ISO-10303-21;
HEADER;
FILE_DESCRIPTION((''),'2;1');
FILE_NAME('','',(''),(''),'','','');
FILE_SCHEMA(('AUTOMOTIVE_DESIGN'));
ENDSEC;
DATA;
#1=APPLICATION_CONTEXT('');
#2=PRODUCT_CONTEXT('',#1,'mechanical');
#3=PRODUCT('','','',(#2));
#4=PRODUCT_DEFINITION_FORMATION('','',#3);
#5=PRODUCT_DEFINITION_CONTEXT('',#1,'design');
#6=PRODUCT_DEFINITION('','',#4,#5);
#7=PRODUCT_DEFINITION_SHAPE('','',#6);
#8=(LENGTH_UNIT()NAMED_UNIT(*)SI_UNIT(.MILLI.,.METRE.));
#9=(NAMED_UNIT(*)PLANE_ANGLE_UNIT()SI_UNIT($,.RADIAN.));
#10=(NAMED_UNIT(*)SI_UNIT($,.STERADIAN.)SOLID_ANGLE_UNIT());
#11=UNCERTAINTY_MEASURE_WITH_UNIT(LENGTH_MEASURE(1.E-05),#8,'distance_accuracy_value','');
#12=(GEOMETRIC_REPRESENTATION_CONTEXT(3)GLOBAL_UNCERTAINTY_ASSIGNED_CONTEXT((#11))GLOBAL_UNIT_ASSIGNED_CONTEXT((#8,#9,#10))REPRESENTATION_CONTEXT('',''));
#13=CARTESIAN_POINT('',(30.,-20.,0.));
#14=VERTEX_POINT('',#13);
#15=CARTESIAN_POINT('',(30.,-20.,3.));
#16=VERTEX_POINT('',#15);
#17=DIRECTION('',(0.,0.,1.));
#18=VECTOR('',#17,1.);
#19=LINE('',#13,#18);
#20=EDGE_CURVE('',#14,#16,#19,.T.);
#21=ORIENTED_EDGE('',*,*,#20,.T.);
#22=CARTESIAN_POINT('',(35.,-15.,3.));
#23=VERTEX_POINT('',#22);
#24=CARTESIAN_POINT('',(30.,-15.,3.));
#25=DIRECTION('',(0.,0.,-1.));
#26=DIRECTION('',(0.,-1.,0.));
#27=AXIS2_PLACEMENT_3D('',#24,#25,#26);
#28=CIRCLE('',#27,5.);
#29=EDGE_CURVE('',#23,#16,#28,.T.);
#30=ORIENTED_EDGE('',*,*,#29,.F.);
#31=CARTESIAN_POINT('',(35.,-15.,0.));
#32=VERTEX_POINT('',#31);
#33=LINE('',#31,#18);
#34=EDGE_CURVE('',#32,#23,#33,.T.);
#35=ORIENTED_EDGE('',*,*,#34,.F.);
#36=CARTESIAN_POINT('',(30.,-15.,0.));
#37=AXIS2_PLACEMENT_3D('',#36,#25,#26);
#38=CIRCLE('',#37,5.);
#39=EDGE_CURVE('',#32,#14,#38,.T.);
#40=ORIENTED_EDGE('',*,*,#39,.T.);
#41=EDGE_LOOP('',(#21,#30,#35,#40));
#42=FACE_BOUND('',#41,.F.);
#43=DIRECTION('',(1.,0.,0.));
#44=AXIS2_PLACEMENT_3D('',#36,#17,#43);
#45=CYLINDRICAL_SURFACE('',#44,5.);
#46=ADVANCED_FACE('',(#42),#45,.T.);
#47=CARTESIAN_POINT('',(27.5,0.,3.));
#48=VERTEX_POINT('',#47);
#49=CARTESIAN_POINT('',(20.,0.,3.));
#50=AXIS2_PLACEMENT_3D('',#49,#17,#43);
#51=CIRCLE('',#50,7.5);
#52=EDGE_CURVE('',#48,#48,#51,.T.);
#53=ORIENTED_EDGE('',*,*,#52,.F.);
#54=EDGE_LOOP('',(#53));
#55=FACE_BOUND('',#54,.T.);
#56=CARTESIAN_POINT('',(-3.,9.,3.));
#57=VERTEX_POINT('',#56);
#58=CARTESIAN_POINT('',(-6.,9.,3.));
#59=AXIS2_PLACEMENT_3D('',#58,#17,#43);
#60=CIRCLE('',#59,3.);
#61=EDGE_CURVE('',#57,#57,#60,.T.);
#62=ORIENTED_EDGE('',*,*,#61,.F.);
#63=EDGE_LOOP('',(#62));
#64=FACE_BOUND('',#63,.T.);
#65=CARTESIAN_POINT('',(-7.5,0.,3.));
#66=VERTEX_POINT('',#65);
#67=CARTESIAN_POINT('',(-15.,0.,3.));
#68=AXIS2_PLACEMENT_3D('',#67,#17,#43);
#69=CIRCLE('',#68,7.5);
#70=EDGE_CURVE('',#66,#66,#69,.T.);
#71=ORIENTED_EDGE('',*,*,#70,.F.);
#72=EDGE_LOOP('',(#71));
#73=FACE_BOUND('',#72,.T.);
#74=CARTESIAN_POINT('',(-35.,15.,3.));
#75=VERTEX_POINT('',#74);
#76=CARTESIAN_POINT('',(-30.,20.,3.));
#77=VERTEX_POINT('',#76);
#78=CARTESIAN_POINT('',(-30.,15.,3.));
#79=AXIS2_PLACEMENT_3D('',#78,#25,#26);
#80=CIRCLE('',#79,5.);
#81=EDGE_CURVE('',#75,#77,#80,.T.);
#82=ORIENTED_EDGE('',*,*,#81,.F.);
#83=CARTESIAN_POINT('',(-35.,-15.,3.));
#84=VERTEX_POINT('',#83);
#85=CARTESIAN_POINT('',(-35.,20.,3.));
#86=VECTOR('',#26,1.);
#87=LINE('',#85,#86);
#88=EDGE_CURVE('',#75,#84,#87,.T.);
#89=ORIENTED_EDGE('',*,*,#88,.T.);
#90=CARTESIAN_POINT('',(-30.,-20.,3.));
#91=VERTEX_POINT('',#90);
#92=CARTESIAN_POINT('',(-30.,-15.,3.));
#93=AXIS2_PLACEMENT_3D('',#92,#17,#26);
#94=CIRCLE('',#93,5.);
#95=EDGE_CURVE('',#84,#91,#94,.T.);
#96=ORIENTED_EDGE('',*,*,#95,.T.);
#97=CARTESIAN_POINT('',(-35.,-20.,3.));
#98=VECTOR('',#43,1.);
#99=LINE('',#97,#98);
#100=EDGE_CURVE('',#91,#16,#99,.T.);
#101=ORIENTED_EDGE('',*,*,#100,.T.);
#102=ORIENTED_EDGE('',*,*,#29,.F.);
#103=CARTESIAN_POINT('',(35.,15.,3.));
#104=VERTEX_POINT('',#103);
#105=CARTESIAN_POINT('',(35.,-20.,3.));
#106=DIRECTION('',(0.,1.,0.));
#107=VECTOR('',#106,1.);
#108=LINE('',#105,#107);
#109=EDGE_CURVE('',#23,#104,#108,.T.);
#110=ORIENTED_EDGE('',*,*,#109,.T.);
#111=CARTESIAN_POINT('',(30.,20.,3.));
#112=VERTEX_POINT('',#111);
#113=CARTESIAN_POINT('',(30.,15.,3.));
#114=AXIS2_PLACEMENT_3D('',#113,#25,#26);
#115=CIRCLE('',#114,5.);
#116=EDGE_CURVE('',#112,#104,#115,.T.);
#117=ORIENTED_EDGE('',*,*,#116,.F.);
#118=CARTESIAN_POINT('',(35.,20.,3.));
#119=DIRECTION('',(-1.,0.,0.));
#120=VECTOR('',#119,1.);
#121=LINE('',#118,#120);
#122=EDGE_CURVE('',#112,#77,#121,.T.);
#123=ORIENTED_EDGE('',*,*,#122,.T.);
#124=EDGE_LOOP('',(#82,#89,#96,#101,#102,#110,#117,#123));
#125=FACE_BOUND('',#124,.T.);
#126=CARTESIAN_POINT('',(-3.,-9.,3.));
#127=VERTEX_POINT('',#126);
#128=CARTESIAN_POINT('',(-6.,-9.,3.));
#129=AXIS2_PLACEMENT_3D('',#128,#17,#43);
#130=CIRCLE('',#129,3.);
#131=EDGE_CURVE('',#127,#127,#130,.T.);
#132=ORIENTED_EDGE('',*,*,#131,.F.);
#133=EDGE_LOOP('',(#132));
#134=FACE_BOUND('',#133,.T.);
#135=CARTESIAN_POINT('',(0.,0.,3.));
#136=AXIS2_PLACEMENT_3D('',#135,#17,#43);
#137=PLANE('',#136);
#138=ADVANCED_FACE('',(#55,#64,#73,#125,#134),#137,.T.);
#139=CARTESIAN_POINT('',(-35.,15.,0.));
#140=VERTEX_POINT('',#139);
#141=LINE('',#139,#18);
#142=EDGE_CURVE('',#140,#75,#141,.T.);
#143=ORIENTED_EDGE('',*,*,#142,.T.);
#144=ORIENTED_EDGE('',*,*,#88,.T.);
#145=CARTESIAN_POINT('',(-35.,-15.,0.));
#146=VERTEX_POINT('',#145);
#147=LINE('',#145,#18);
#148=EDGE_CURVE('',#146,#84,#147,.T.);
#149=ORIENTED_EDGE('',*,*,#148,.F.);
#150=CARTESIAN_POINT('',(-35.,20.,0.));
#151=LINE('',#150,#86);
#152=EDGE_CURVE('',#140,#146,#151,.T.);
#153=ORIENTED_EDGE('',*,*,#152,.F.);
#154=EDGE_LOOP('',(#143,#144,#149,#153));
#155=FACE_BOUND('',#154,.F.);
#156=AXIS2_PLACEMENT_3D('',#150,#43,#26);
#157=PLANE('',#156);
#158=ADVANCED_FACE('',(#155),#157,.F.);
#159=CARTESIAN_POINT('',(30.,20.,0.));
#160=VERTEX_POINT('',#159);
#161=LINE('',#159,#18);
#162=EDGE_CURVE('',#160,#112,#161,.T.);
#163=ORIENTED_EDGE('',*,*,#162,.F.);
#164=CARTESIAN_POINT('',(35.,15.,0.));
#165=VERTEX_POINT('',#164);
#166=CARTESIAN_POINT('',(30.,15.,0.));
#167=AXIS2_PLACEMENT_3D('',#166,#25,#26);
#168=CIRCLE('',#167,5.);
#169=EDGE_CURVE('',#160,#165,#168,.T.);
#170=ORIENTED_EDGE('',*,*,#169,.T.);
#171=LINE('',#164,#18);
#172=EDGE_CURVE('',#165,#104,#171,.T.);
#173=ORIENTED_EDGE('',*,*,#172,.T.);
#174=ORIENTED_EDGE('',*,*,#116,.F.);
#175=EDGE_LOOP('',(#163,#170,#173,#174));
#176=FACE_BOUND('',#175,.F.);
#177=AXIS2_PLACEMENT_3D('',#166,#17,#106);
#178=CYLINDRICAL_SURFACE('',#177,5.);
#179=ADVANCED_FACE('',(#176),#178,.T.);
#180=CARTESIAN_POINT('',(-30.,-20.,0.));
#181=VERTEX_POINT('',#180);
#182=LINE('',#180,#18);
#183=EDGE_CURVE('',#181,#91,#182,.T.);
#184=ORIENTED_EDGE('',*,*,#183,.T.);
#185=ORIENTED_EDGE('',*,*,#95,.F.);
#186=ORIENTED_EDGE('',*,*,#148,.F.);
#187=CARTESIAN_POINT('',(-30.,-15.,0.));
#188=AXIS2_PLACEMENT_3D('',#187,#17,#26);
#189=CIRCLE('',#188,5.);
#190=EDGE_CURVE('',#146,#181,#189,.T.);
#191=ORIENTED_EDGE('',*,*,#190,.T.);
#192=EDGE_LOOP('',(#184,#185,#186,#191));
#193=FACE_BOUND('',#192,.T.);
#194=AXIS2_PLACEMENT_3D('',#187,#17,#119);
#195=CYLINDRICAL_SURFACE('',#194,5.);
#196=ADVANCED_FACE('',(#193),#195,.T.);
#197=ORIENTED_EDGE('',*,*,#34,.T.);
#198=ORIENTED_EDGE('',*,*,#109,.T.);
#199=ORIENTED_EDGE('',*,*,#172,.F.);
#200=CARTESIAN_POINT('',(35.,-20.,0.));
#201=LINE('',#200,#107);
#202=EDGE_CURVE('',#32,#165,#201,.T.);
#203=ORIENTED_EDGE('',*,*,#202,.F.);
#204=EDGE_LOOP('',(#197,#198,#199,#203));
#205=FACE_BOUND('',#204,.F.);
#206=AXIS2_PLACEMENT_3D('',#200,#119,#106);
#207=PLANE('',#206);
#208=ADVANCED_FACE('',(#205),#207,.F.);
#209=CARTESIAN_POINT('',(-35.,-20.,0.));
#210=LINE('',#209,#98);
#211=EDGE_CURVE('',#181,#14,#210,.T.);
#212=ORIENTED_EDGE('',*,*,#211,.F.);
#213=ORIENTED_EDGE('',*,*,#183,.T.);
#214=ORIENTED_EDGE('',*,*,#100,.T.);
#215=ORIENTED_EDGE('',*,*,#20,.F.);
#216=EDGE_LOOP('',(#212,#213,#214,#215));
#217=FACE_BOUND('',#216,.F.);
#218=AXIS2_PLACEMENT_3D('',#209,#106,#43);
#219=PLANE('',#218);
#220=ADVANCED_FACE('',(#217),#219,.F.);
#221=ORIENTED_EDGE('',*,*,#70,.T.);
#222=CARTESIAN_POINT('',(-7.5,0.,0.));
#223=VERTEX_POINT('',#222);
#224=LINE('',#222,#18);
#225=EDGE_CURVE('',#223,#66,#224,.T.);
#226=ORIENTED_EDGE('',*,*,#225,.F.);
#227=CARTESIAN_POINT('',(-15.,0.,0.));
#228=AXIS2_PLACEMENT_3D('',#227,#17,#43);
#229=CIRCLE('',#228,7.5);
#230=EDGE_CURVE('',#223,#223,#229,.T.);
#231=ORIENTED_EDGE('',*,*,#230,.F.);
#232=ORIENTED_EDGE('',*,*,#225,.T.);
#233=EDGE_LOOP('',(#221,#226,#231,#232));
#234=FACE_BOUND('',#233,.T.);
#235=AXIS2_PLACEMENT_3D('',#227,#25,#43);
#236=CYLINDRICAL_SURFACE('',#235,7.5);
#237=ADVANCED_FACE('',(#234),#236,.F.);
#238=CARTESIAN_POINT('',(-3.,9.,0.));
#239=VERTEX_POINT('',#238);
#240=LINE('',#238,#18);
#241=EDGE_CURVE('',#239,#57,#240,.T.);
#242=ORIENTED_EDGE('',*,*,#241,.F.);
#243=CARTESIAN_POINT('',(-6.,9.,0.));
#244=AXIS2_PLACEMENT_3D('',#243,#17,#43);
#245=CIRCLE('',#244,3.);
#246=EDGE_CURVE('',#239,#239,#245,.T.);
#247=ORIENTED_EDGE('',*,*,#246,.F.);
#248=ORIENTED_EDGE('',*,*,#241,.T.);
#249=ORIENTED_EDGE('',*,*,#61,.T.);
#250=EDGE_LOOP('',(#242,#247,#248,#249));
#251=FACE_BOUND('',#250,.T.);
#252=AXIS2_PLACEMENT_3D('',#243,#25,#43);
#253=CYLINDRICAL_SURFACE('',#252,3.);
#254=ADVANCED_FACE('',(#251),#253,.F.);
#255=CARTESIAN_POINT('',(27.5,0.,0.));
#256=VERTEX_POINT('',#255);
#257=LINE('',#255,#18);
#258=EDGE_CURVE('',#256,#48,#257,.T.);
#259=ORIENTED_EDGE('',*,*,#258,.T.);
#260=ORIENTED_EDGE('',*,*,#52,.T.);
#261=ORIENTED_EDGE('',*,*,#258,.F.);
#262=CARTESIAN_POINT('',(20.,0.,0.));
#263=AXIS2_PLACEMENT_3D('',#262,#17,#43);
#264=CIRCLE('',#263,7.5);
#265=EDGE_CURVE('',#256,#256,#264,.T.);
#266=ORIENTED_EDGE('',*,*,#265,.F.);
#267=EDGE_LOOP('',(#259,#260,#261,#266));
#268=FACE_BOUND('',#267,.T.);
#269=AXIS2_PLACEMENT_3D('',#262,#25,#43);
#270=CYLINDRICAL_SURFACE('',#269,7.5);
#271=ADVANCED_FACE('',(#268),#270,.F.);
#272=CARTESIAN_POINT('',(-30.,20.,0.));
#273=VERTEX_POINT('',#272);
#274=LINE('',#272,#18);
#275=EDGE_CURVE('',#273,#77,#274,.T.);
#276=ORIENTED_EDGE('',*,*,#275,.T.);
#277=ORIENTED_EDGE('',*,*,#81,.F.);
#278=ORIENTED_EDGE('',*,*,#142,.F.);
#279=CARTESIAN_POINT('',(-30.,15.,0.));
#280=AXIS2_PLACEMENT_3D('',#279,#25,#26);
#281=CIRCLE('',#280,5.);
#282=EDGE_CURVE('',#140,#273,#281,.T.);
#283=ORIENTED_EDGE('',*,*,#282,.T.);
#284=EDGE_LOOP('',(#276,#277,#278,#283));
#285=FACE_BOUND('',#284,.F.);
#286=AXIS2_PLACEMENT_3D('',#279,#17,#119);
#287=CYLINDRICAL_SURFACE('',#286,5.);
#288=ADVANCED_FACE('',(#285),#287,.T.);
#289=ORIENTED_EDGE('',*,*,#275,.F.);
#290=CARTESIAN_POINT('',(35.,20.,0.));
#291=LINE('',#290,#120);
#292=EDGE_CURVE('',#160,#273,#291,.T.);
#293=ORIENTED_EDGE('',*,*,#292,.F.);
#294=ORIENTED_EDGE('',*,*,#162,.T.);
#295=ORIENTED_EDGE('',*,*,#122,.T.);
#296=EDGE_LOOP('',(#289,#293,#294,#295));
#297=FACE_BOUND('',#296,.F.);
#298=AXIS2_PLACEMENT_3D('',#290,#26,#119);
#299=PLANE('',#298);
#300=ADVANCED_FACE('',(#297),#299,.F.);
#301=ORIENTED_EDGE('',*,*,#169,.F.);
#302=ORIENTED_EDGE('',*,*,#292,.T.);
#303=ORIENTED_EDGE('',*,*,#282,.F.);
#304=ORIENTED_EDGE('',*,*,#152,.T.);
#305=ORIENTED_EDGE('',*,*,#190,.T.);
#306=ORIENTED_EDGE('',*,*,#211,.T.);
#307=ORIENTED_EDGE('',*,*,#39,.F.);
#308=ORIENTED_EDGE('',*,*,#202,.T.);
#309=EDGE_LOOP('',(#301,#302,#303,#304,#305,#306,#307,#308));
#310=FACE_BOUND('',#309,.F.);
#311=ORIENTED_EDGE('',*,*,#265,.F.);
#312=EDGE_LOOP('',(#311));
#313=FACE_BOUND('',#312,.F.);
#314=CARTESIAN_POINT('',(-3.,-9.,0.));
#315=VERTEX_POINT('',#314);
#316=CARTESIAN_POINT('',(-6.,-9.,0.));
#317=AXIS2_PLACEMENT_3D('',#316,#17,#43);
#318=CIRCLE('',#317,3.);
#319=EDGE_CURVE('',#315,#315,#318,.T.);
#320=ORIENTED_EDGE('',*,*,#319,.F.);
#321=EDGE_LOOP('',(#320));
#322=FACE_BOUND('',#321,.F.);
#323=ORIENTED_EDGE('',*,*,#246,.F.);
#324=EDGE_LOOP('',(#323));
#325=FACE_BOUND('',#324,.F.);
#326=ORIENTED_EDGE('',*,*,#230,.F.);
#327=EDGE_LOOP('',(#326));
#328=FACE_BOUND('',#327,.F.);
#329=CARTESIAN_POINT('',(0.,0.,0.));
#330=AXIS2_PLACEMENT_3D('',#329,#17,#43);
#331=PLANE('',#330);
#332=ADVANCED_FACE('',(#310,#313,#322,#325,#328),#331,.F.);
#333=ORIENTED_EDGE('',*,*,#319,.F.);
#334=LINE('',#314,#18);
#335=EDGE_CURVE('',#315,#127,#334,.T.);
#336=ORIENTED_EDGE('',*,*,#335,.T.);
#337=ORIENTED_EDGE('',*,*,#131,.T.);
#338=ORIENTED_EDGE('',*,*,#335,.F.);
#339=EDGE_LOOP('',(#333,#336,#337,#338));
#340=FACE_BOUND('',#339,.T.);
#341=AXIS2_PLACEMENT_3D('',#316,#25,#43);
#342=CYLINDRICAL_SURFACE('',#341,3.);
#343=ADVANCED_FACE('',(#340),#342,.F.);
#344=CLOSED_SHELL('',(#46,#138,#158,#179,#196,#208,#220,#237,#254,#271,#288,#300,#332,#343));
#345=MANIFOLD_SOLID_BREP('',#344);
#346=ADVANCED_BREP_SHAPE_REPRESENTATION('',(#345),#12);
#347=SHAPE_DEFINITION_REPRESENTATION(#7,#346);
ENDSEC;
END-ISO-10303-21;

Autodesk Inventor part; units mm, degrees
ref_plane "YZ Plane" through (0, 0, 0) normal (1, 0, 0) x (0, 1, 0)
ref_plane "XZ Plane" through (0, 0, 0) normal (0, 1, 0) x (-1, 0, 0)
ref_plane "XY Plane" through (0, 0, 0) normal (0, 0, 1) x (1, 0, 0)
sketch "Sketch1" plane through (0, 0, 0) normal (0, 0, 1) x (1, 0, 0)
  line L0 (-35, -20) -> (35, -20)
  line L1 (35, -20) -> (35, 20)
  line L2 (35, 20) -> (-35, 20)
  line L3 (-35, 20) -> (-35, -20)
  line L4 (-35, -20) -> (35, 20) construction
  line L5 (35, -20) -> (-35, 20) construction
  line L6 (0, 0) -> (42.6955, 0) construction
  circle A0 centre (20, 0) radius 7.5
  circle A1 centre (-15, 0) radius 7.5
  circle A2 centre (-6, 9) radius 3
  circle A3 centre (-6, -9) radius 3
  dimension "d0" = 70
  dimension "d1" = 40
  dimension "d2" = 15
  dimension "d5" = 20
  dimension "d7" = 15
  dimension "d8" = 35
  dimension "d9" = 6
  dimension "d10" = 9
  dimension "d11" = 9
extrude "Extrusion1" add sketch "Sketch1" along normal blind 3
fillet "Fillet1" radius 5 4 edges at (-35, 20, 1.5) (35, 20, 1.5) (35, -20, 1.5) (-35, -20, 1.5)
properties part number "motor_acrylic1"
